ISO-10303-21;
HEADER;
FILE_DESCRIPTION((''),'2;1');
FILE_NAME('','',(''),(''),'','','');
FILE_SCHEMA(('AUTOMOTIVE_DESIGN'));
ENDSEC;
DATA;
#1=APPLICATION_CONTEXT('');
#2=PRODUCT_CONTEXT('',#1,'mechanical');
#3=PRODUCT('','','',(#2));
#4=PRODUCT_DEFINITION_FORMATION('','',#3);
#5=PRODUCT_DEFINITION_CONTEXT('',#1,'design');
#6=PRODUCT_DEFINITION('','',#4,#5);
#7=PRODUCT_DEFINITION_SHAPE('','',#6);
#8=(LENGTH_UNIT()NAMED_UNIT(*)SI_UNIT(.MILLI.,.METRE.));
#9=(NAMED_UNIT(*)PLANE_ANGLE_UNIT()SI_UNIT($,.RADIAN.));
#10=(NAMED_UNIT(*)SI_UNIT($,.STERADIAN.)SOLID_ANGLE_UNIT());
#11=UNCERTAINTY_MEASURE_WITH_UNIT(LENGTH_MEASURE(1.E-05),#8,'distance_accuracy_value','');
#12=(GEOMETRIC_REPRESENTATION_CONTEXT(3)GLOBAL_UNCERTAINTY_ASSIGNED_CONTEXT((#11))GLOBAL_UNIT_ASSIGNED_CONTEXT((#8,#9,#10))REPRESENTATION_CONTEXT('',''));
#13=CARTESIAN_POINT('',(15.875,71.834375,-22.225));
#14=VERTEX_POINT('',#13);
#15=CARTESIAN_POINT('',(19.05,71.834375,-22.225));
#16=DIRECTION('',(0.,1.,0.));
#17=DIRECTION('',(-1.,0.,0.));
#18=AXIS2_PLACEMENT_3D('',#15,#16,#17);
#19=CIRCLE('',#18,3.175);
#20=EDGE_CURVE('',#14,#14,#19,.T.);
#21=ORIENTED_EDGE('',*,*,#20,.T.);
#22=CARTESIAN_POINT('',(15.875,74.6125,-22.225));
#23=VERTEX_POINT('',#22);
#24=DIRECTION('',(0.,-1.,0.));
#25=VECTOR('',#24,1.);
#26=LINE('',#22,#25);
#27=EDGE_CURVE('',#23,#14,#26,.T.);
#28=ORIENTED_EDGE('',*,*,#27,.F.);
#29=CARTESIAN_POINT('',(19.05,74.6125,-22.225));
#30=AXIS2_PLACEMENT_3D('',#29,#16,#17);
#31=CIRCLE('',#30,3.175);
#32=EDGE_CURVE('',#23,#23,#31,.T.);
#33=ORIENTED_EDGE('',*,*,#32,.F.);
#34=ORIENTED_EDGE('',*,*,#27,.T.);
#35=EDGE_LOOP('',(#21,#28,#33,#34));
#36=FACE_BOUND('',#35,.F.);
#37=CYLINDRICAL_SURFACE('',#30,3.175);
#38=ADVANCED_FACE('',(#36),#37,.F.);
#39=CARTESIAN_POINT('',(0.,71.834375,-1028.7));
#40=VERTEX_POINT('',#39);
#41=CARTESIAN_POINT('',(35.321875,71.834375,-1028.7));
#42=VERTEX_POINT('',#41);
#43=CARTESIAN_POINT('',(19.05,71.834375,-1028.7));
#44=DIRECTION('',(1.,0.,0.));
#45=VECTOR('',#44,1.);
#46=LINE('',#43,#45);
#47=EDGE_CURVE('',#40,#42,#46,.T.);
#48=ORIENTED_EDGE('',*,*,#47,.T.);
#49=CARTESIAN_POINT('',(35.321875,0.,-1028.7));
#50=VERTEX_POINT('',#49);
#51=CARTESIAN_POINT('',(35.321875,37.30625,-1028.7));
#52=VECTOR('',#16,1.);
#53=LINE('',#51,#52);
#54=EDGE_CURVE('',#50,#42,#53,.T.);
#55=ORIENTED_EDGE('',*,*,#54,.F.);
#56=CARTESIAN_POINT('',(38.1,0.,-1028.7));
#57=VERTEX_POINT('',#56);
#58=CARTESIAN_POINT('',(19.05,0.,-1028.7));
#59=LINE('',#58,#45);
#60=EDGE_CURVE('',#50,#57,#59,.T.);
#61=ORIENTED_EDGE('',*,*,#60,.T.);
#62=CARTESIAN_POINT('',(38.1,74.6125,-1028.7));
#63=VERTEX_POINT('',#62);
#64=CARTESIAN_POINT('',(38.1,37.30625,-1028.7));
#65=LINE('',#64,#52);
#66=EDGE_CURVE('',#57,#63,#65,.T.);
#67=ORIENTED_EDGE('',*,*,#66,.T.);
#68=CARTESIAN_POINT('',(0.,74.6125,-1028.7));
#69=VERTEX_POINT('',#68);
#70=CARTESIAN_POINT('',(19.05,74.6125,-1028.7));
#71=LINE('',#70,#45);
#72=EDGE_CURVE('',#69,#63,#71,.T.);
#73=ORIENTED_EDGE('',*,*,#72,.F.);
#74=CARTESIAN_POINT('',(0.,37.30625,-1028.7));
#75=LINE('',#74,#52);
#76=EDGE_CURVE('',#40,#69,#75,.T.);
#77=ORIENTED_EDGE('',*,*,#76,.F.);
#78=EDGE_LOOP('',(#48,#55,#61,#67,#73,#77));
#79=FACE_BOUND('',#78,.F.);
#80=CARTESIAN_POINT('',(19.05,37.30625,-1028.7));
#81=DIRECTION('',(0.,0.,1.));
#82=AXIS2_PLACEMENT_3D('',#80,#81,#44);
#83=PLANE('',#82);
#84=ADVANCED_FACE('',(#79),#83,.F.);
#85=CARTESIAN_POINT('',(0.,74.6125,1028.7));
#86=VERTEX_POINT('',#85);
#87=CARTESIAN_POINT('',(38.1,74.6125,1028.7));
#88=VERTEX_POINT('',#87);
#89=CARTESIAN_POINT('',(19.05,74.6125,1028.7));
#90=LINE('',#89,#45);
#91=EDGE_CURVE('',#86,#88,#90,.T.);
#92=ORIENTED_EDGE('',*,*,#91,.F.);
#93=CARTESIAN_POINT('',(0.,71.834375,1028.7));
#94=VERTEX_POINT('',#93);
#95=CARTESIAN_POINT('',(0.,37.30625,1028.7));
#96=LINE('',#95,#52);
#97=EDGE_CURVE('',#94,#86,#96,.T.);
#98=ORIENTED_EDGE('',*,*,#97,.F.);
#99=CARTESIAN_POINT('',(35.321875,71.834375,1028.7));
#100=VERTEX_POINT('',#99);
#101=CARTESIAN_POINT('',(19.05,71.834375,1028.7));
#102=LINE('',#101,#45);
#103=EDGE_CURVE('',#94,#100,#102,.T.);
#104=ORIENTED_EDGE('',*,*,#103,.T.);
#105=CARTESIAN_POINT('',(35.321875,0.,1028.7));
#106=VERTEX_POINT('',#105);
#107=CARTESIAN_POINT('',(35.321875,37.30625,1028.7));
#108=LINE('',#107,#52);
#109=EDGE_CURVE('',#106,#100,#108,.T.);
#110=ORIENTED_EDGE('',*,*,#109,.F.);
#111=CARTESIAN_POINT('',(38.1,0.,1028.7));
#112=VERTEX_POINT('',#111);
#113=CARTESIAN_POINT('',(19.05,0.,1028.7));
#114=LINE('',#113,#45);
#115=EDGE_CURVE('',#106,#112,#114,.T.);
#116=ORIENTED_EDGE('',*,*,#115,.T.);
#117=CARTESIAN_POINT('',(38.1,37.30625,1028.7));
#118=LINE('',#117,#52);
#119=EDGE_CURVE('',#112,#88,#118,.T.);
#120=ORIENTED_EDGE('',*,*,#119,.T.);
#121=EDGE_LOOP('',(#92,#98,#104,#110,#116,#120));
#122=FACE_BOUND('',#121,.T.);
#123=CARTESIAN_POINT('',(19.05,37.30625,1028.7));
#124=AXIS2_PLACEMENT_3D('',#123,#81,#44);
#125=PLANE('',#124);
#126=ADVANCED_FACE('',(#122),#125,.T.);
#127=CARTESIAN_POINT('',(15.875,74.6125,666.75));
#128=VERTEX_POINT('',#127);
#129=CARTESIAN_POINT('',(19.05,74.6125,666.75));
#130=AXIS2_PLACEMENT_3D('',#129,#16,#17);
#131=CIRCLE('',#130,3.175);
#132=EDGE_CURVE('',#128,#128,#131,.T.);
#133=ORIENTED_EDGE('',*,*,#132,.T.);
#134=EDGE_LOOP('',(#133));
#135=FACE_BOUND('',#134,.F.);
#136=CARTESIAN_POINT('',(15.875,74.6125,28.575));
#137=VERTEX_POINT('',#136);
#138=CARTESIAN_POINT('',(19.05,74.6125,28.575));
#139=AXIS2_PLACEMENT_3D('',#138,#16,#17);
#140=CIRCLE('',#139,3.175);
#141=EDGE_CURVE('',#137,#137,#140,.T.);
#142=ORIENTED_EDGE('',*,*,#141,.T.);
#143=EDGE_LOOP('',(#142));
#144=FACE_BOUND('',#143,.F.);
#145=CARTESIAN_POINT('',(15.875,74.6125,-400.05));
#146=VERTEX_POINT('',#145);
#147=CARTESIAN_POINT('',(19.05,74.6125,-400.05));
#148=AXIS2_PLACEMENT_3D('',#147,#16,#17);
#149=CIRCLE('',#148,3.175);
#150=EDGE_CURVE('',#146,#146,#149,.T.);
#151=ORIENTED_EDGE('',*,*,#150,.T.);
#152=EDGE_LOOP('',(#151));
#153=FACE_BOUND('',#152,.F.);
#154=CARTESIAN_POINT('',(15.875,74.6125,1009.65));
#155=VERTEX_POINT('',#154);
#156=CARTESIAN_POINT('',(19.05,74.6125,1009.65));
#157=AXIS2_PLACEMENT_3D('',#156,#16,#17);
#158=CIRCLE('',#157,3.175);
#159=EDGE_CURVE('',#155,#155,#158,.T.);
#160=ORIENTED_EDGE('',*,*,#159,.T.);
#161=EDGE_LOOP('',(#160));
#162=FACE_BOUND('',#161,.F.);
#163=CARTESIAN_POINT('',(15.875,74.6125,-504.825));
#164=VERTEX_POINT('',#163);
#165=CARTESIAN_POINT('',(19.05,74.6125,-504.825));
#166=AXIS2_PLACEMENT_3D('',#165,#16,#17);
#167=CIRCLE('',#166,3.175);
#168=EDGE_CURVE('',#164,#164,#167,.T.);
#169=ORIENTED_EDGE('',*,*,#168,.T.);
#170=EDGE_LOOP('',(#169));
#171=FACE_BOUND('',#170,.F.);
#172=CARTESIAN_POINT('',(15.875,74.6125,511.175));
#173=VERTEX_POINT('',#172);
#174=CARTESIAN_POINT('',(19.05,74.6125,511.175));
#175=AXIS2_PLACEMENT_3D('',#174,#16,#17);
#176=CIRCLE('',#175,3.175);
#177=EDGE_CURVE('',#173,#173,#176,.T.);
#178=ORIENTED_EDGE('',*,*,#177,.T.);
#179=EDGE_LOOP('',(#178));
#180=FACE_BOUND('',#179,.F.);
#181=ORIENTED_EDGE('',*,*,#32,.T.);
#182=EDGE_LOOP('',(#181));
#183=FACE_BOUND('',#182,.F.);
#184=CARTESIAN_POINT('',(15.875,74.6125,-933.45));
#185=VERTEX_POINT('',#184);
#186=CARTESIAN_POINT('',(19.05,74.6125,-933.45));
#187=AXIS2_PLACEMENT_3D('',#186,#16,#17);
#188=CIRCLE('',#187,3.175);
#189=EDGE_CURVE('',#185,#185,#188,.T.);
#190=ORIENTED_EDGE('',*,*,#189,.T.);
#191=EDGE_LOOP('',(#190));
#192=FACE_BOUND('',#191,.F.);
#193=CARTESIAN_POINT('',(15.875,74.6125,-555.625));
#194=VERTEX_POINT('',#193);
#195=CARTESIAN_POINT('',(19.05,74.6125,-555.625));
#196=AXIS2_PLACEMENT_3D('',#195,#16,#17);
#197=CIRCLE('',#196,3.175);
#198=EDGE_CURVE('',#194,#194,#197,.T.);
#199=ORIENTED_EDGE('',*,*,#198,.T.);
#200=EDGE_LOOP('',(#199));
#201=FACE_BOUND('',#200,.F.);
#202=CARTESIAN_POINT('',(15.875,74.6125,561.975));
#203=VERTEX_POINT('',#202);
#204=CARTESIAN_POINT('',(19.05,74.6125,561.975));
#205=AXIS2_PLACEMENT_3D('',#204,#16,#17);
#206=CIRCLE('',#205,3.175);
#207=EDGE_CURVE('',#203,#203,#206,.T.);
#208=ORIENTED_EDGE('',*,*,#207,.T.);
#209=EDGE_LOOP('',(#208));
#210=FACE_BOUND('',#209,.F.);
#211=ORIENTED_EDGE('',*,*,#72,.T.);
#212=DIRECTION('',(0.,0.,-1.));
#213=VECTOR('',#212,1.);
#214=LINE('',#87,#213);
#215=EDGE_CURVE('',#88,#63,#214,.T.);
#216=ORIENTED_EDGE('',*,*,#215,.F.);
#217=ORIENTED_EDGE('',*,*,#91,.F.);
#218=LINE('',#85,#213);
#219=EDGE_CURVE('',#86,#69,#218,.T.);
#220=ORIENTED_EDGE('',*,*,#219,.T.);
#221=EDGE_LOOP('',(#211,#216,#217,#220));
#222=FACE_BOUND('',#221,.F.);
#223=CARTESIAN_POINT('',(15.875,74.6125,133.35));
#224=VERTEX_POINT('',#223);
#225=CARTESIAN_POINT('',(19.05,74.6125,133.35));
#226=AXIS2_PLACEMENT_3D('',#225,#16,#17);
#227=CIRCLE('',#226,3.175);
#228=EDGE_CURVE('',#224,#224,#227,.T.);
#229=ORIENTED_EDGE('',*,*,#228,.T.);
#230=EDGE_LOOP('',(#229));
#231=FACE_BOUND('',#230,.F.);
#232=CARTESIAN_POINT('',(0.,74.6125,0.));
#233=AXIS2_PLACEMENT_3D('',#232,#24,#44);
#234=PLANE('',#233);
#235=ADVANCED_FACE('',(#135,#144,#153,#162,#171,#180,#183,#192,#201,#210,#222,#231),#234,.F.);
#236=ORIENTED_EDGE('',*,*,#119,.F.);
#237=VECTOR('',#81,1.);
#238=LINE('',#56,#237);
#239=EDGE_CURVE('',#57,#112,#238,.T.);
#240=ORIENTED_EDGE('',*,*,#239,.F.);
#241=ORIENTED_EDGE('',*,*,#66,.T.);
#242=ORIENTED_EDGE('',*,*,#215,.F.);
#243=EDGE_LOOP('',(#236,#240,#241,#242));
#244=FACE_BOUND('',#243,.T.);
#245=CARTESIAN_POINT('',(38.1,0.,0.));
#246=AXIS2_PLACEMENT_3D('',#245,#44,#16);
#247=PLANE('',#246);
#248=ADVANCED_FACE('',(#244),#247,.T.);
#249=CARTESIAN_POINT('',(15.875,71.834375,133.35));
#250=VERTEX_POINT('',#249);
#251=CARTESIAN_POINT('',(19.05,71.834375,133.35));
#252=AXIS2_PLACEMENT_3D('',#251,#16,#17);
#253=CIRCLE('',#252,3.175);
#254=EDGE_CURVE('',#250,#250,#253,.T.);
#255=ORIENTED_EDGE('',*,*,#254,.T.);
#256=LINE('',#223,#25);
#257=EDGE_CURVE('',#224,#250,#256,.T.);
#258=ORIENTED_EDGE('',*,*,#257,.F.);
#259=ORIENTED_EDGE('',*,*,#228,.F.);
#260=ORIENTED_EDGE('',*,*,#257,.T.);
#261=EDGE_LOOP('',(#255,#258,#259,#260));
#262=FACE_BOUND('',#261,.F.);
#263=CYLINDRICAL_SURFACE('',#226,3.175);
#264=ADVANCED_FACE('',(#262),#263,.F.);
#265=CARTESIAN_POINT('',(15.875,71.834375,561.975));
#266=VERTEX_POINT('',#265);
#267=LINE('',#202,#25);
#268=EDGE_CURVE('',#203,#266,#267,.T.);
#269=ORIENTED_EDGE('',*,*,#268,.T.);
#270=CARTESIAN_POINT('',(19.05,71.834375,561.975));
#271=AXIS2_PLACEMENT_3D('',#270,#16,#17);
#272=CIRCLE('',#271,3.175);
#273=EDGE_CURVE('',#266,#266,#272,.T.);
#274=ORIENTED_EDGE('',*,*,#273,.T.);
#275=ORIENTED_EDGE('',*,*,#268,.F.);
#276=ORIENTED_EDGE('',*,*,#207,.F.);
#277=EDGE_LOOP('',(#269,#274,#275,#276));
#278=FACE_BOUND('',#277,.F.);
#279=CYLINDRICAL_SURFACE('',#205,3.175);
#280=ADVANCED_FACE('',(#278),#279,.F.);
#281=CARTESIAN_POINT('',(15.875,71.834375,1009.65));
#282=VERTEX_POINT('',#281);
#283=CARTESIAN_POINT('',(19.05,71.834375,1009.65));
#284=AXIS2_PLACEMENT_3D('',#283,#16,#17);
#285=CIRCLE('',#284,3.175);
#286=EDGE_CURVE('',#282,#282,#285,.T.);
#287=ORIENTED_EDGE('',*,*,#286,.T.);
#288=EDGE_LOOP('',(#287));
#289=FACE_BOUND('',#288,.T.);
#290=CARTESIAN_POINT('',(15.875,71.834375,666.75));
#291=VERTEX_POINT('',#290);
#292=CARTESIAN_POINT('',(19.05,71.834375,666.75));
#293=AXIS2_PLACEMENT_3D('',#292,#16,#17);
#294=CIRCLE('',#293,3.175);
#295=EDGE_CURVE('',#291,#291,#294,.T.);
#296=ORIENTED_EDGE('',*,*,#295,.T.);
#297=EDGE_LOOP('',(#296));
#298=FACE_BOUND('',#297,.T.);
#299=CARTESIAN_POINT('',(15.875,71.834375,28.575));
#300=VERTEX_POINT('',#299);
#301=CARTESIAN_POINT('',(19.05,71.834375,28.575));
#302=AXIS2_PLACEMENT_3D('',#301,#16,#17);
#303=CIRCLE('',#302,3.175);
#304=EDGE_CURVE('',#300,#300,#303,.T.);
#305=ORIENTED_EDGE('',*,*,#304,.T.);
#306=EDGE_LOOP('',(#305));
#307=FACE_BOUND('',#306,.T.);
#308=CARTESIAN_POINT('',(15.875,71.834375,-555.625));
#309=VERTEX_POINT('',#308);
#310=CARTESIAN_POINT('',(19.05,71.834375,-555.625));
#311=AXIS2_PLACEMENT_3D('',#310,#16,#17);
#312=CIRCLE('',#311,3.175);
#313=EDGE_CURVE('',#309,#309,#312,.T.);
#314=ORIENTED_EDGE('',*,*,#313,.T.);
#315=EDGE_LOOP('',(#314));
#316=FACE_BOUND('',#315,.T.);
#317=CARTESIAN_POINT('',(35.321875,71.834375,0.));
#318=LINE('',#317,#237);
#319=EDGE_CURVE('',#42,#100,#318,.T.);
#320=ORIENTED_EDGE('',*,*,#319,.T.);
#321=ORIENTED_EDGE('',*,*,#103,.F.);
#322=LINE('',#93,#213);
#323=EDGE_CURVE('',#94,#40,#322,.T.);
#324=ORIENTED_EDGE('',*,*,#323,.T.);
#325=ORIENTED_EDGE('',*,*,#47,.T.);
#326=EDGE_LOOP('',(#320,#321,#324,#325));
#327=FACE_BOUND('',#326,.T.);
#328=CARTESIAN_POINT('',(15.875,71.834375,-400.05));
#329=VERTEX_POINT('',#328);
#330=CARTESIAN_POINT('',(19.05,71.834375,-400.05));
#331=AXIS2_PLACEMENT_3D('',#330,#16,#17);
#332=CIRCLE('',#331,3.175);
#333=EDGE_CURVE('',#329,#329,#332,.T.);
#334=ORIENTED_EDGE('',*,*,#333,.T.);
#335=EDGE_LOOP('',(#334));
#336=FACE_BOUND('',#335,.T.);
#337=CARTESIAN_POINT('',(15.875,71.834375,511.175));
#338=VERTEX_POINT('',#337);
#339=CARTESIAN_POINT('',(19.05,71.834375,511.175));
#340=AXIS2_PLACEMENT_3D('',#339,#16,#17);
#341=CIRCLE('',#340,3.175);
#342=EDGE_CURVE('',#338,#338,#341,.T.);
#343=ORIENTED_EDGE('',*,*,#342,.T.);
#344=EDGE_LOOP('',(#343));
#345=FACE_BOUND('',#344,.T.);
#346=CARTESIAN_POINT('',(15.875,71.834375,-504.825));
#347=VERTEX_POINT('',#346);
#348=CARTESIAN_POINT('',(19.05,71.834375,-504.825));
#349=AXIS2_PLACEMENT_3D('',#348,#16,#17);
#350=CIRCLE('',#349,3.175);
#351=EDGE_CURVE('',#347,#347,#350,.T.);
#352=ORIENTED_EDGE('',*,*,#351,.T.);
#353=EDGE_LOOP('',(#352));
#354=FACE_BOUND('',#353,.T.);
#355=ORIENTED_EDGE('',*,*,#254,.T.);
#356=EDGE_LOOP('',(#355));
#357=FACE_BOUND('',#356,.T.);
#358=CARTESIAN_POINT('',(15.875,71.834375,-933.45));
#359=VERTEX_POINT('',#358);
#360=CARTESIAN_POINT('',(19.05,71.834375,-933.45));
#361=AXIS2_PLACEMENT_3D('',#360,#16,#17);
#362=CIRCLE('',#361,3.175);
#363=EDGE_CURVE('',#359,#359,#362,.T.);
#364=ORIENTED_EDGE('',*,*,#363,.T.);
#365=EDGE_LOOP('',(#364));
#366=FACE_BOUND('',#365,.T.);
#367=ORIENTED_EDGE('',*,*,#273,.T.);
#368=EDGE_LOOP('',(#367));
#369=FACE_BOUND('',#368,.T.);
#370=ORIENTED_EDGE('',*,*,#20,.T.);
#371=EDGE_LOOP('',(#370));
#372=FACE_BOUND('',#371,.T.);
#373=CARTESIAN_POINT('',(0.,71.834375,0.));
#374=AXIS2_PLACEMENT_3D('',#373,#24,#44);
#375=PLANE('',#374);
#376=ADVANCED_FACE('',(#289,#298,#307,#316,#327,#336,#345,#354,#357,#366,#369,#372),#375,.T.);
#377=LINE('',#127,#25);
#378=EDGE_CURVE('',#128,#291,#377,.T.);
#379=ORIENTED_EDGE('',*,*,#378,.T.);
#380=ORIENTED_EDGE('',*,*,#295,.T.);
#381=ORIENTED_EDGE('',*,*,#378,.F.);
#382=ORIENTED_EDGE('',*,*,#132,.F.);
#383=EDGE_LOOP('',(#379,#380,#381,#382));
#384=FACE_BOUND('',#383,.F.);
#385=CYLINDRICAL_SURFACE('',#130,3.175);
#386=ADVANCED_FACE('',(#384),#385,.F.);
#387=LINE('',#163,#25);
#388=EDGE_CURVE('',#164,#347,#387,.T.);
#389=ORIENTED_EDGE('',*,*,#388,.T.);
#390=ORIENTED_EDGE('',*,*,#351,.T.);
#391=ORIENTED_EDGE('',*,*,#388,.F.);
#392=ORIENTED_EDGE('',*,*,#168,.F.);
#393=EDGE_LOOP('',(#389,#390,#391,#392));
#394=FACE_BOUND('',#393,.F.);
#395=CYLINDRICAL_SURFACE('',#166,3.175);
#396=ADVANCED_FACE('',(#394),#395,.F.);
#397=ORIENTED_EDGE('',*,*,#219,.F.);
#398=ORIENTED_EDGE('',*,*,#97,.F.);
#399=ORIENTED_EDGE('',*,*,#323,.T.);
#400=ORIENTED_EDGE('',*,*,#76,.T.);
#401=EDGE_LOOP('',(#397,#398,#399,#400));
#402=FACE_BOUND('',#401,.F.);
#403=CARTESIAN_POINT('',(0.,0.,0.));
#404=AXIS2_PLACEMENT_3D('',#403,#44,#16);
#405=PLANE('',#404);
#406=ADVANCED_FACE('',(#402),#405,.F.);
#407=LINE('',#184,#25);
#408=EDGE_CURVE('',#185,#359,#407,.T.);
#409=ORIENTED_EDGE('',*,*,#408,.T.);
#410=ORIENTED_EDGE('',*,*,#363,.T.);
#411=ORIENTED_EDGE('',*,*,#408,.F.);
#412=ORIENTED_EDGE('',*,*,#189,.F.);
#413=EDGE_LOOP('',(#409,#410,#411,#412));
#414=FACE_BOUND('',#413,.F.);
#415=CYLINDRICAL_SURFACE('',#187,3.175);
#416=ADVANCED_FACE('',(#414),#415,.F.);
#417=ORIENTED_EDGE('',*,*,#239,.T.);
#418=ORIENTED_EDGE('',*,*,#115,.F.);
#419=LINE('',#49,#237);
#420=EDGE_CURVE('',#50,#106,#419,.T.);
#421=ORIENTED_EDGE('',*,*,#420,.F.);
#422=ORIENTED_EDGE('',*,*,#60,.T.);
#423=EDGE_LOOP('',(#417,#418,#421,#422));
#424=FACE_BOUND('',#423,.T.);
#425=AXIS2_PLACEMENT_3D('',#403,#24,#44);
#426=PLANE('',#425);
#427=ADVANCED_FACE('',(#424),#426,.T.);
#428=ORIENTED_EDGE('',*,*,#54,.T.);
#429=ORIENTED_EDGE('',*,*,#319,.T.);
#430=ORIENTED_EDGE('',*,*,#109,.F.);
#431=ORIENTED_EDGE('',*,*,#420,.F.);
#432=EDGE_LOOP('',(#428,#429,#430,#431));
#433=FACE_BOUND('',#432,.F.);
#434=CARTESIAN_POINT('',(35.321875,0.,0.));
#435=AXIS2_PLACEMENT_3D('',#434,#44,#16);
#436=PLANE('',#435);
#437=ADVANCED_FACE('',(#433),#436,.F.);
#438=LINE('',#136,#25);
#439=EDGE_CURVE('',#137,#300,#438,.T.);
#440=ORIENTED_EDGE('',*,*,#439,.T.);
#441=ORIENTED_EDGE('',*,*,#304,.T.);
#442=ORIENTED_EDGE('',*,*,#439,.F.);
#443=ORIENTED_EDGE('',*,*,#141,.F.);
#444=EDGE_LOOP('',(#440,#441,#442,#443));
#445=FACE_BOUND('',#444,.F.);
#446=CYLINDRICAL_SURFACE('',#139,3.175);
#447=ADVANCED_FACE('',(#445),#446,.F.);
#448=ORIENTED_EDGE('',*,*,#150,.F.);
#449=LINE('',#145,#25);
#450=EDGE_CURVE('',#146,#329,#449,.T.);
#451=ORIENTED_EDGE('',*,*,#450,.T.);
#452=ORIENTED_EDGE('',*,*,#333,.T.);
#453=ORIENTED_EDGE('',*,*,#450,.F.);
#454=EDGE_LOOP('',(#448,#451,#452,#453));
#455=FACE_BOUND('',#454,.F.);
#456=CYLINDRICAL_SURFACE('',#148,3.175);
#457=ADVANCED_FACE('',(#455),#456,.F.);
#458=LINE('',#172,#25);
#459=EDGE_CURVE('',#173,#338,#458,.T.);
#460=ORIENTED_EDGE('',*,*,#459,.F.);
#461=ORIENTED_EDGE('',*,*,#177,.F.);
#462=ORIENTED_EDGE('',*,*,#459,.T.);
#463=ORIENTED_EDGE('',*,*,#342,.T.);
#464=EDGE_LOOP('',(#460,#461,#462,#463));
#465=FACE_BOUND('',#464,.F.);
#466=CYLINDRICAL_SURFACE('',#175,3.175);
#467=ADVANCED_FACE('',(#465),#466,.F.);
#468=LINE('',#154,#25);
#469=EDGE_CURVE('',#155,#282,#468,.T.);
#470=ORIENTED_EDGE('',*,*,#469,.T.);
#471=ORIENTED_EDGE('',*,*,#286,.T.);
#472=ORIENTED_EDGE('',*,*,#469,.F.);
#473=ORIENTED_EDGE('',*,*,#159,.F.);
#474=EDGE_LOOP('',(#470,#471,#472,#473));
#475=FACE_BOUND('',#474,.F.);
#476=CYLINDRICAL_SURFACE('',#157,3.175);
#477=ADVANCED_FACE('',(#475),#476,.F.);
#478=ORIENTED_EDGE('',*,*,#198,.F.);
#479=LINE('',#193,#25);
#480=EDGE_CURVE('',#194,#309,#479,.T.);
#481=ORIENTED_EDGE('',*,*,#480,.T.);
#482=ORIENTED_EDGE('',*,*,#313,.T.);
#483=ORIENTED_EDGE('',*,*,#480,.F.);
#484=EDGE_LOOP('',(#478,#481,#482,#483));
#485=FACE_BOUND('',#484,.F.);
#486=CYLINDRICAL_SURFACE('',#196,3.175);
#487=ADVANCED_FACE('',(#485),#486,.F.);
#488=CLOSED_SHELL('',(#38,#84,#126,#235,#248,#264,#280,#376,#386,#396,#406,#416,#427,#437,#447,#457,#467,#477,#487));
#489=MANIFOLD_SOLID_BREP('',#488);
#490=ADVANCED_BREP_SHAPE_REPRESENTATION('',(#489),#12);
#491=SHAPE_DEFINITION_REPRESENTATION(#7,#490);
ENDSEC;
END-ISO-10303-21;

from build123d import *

# Parameters (mm, degrees)
F0_W     = 38.1
F0_H     = 74.6125
F1_DEPTH = 1028.7
F2_T     = -2.778125
F3_R     = 3.175
F4_DEPTH = 74.6135


with BuildPart() as f1:
    # F0 (on Top) → F1 (new body, symmetric)
    with BuildSketch(Plane.XY):
        with Locations((19.05, 37.30625)):
            Rectangle(F0_W, F0_H)
    extrude(amount=F1_DEPTH, both=True)

    # F2
    f2_openings = [f1.faces().sort_by_distance(p)[0] for p in [
        (19.05, 37.30625, 1028.7),
        (19.05, 0, 0),
        (19.05, 37.30625, -1028.7),
        (0, 37.30625, 0),
    ]]
    offset(amount=F2_T, openings=f2_openings)

    # F3 (on face) → F4 (cut, through all)
    with BuildSketch(Plane(origin=(0, 74.6125, 0), x_dir=(-1, 0, 0), z_dir=(0, 1, 0))):
        with Locations((-19.05, 561.975)):
            Circle(F3_R)
        with Locations((-19.05, 511.175)):
            Circle(F3_R)
        with Locations((-19.05, 133.35)):
            Circle(F3_R)
        with Locations((-19.05, -22.225)):
            Circle(F3_R)
        with Locations((-19.05, 28.575)):
            Circle(F3_R)
        with Locations((-19.05, -400.05)):
            Circle(F3_R)
        with Locations((-19.05, -555.625)):
            Circle(F3_R)
        with Locations((-19.05, -504.825)):
            Circle(F3_R)
        with Locations((-19.05, -933.45)):
            Circle(F3_R)
        with Locations((-19.05, 666.75)):
            Circle(F3_R)
        with Locations((-19.05, 1009.65)):
            Circle(F3_R)
    extrude(amount=-F4_DEPTH, mode=Mode.SUBTRACT)


solid = f1.part
